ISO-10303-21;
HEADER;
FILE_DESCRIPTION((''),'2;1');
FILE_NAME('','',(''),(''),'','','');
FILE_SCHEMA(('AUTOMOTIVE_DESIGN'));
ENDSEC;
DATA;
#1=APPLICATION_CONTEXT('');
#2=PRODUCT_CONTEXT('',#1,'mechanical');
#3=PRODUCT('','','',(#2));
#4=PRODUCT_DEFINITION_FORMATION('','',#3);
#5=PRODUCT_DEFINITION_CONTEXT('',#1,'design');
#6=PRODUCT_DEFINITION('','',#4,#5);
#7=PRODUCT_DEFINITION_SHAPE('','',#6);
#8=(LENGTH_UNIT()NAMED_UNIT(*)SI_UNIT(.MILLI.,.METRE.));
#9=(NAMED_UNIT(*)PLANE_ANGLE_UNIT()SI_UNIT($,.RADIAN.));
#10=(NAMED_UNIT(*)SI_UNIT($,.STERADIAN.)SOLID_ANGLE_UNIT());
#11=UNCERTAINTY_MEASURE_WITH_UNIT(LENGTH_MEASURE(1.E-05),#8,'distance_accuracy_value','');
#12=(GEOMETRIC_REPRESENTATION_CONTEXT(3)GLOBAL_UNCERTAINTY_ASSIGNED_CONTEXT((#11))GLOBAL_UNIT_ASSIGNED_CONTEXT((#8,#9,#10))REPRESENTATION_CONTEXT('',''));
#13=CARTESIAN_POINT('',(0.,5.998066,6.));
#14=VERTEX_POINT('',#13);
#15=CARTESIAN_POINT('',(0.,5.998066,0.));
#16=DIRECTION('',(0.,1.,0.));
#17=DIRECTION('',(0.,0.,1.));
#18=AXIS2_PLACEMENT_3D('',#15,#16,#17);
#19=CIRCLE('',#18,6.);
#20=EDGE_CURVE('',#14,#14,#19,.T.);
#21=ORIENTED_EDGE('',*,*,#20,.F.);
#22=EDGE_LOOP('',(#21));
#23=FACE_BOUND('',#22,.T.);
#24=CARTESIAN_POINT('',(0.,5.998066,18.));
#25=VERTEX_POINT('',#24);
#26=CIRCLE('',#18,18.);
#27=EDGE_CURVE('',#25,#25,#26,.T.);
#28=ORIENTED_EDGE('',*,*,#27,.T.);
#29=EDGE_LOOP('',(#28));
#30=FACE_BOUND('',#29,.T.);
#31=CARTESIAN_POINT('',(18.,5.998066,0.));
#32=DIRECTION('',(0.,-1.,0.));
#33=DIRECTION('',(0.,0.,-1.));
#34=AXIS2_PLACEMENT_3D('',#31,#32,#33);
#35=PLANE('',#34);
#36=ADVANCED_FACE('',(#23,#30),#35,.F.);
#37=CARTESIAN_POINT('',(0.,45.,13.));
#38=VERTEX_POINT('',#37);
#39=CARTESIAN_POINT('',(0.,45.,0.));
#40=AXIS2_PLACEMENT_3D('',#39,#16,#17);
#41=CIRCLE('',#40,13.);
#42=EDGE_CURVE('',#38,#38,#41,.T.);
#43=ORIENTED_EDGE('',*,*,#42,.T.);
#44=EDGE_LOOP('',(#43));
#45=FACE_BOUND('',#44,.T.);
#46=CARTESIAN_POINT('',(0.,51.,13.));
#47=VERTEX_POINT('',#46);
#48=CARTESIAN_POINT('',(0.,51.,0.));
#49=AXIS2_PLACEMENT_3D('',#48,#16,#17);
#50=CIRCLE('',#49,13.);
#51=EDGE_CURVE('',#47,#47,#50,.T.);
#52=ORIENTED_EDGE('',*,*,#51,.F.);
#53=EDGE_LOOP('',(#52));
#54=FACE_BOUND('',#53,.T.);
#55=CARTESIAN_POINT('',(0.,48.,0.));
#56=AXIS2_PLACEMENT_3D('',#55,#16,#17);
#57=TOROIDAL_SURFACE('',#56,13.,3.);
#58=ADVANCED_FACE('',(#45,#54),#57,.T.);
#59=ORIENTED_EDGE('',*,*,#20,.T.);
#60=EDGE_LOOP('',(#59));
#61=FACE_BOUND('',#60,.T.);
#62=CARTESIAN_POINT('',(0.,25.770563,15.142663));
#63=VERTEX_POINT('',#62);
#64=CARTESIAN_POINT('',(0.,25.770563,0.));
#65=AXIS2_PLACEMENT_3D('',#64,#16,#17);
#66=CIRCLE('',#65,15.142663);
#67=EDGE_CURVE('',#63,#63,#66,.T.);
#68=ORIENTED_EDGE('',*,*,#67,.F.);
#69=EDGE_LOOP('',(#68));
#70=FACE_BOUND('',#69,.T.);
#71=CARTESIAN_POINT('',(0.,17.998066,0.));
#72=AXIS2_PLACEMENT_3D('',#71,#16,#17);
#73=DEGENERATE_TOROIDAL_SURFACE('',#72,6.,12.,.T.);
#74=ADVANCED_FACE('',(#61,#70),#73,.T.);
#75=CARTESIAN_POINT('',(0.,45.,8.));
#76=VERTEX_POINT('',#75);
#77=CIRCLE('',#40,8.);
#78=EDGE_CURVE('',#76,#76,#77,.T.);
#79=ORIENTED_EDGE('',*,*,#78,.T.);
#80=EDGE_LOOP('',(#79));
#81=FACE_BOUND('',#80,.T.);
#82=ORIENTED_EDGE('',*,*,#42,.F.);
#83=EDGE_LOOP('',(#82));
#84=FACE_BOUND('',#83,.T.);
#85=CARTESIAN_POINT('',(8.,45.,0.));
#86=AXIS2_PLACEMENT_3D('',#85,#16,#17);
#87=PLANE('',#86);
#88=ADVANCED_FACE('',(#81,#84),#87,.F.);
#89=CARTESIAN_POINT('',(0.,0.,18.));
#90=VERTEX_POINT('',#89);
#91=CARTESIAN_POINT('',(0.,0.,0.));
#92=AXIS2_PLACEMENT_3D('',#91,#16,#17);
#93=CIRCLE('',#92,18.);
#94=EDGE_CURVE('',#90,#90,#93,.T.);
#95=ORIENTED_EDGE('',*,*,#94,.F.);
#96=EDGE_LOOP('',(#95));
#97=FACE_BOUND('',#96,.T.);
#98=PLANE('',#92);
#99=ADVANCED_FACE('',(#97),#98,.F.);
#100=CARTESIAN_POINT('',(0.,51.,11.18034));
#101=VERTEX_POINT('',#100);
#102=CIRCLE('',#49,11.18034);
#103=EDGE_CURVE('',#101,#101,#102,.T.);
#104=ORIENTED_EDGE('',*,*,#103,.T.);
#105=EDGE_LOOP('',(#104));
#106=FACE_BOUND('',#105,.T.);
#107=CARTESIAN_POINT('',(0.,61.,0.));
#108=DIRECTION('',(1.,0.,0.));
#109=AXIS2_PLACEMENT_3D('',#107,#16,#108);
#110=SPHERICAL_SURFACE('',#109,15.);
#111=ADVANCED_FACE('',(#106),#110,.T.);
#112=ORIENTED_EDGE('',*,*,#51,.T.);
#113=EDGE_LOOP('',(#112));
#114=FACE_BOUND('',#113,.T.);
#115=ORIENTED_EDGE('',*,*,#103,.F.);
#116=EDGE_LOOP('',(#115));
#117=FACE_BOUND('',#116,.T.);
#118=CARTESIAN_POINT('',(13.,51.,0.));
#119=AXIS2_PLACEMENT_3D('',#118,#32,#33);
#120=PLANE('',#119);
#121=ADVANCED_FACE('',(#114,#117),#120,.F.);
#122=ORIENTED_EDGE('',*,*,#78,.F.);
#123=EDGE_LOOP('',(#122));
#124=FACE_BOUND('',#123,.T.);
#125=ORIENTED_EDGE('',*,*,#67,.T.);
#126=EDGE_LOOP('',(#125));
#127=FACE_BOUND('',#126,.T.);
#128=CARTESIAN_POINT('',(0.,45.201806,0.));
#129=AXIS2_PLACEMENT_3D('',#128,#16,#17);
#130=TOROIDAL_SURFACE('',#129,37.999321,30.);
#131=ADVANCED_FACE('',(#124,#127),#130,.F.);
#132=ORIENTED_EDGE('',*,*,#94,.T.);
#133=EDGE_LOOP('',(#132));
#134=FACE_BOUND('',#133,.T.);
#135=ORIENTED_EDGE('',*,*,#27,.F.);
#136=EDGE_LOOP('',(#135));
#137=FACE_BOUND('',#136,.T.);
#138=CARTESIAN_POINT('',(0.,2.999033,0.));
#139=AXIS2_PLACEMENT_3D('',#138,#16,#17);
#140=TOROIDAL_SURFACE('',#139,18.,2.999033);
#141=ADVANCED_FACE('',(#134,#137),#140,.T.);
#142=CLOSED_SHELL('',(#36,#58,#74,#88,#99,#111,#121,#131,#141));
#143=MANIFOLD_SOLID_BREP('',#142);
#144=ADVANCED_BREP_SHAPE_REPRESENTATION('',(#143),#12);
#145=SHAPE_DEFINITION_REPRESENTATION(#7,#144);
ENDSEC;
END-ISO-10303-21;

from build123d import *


with BuildPart() as part:
    # Sketch1 → Revolve1 (revolve)
    with BuildSketch(Plane.XY, mode=Mode.PRIVATE) as revolve1_sk:
        with BuildLine():
            Line((0, 0), (18, 0))
            ThreePointArc((18, 0), (20.999033082, 2.999033082), (18, 5.998066163))
            Line((18, 5.998066163), (6, 5.998066163))
            ThreePointArc((6, 5.998066163), (16.891968689, 12.961696631), (15.14266321, 25.770563152))
            ThreePointArc((15.14266321, 25.770563152), (9.876706736, 34.75582296), (8, 45))
            Line((8, 45), (13, 45))
            ThreePointArc((13, 45), (16, 48), (13, 51))
            Line((13, 51), (11.180339887, 51))
            ThreePointArc((11.180339887, 51), (13.693063938, 67.123724357), (0, 76))
            Line((0, 76), (0, 0))
        make_face()
    revolve(revolve1_sk.sketch.rotate(Axis((0, 0, 0), (0, -1, 0)), 90), axis=Axis((0, 0, 0), (0, -1, 0)))


solid = part.part
